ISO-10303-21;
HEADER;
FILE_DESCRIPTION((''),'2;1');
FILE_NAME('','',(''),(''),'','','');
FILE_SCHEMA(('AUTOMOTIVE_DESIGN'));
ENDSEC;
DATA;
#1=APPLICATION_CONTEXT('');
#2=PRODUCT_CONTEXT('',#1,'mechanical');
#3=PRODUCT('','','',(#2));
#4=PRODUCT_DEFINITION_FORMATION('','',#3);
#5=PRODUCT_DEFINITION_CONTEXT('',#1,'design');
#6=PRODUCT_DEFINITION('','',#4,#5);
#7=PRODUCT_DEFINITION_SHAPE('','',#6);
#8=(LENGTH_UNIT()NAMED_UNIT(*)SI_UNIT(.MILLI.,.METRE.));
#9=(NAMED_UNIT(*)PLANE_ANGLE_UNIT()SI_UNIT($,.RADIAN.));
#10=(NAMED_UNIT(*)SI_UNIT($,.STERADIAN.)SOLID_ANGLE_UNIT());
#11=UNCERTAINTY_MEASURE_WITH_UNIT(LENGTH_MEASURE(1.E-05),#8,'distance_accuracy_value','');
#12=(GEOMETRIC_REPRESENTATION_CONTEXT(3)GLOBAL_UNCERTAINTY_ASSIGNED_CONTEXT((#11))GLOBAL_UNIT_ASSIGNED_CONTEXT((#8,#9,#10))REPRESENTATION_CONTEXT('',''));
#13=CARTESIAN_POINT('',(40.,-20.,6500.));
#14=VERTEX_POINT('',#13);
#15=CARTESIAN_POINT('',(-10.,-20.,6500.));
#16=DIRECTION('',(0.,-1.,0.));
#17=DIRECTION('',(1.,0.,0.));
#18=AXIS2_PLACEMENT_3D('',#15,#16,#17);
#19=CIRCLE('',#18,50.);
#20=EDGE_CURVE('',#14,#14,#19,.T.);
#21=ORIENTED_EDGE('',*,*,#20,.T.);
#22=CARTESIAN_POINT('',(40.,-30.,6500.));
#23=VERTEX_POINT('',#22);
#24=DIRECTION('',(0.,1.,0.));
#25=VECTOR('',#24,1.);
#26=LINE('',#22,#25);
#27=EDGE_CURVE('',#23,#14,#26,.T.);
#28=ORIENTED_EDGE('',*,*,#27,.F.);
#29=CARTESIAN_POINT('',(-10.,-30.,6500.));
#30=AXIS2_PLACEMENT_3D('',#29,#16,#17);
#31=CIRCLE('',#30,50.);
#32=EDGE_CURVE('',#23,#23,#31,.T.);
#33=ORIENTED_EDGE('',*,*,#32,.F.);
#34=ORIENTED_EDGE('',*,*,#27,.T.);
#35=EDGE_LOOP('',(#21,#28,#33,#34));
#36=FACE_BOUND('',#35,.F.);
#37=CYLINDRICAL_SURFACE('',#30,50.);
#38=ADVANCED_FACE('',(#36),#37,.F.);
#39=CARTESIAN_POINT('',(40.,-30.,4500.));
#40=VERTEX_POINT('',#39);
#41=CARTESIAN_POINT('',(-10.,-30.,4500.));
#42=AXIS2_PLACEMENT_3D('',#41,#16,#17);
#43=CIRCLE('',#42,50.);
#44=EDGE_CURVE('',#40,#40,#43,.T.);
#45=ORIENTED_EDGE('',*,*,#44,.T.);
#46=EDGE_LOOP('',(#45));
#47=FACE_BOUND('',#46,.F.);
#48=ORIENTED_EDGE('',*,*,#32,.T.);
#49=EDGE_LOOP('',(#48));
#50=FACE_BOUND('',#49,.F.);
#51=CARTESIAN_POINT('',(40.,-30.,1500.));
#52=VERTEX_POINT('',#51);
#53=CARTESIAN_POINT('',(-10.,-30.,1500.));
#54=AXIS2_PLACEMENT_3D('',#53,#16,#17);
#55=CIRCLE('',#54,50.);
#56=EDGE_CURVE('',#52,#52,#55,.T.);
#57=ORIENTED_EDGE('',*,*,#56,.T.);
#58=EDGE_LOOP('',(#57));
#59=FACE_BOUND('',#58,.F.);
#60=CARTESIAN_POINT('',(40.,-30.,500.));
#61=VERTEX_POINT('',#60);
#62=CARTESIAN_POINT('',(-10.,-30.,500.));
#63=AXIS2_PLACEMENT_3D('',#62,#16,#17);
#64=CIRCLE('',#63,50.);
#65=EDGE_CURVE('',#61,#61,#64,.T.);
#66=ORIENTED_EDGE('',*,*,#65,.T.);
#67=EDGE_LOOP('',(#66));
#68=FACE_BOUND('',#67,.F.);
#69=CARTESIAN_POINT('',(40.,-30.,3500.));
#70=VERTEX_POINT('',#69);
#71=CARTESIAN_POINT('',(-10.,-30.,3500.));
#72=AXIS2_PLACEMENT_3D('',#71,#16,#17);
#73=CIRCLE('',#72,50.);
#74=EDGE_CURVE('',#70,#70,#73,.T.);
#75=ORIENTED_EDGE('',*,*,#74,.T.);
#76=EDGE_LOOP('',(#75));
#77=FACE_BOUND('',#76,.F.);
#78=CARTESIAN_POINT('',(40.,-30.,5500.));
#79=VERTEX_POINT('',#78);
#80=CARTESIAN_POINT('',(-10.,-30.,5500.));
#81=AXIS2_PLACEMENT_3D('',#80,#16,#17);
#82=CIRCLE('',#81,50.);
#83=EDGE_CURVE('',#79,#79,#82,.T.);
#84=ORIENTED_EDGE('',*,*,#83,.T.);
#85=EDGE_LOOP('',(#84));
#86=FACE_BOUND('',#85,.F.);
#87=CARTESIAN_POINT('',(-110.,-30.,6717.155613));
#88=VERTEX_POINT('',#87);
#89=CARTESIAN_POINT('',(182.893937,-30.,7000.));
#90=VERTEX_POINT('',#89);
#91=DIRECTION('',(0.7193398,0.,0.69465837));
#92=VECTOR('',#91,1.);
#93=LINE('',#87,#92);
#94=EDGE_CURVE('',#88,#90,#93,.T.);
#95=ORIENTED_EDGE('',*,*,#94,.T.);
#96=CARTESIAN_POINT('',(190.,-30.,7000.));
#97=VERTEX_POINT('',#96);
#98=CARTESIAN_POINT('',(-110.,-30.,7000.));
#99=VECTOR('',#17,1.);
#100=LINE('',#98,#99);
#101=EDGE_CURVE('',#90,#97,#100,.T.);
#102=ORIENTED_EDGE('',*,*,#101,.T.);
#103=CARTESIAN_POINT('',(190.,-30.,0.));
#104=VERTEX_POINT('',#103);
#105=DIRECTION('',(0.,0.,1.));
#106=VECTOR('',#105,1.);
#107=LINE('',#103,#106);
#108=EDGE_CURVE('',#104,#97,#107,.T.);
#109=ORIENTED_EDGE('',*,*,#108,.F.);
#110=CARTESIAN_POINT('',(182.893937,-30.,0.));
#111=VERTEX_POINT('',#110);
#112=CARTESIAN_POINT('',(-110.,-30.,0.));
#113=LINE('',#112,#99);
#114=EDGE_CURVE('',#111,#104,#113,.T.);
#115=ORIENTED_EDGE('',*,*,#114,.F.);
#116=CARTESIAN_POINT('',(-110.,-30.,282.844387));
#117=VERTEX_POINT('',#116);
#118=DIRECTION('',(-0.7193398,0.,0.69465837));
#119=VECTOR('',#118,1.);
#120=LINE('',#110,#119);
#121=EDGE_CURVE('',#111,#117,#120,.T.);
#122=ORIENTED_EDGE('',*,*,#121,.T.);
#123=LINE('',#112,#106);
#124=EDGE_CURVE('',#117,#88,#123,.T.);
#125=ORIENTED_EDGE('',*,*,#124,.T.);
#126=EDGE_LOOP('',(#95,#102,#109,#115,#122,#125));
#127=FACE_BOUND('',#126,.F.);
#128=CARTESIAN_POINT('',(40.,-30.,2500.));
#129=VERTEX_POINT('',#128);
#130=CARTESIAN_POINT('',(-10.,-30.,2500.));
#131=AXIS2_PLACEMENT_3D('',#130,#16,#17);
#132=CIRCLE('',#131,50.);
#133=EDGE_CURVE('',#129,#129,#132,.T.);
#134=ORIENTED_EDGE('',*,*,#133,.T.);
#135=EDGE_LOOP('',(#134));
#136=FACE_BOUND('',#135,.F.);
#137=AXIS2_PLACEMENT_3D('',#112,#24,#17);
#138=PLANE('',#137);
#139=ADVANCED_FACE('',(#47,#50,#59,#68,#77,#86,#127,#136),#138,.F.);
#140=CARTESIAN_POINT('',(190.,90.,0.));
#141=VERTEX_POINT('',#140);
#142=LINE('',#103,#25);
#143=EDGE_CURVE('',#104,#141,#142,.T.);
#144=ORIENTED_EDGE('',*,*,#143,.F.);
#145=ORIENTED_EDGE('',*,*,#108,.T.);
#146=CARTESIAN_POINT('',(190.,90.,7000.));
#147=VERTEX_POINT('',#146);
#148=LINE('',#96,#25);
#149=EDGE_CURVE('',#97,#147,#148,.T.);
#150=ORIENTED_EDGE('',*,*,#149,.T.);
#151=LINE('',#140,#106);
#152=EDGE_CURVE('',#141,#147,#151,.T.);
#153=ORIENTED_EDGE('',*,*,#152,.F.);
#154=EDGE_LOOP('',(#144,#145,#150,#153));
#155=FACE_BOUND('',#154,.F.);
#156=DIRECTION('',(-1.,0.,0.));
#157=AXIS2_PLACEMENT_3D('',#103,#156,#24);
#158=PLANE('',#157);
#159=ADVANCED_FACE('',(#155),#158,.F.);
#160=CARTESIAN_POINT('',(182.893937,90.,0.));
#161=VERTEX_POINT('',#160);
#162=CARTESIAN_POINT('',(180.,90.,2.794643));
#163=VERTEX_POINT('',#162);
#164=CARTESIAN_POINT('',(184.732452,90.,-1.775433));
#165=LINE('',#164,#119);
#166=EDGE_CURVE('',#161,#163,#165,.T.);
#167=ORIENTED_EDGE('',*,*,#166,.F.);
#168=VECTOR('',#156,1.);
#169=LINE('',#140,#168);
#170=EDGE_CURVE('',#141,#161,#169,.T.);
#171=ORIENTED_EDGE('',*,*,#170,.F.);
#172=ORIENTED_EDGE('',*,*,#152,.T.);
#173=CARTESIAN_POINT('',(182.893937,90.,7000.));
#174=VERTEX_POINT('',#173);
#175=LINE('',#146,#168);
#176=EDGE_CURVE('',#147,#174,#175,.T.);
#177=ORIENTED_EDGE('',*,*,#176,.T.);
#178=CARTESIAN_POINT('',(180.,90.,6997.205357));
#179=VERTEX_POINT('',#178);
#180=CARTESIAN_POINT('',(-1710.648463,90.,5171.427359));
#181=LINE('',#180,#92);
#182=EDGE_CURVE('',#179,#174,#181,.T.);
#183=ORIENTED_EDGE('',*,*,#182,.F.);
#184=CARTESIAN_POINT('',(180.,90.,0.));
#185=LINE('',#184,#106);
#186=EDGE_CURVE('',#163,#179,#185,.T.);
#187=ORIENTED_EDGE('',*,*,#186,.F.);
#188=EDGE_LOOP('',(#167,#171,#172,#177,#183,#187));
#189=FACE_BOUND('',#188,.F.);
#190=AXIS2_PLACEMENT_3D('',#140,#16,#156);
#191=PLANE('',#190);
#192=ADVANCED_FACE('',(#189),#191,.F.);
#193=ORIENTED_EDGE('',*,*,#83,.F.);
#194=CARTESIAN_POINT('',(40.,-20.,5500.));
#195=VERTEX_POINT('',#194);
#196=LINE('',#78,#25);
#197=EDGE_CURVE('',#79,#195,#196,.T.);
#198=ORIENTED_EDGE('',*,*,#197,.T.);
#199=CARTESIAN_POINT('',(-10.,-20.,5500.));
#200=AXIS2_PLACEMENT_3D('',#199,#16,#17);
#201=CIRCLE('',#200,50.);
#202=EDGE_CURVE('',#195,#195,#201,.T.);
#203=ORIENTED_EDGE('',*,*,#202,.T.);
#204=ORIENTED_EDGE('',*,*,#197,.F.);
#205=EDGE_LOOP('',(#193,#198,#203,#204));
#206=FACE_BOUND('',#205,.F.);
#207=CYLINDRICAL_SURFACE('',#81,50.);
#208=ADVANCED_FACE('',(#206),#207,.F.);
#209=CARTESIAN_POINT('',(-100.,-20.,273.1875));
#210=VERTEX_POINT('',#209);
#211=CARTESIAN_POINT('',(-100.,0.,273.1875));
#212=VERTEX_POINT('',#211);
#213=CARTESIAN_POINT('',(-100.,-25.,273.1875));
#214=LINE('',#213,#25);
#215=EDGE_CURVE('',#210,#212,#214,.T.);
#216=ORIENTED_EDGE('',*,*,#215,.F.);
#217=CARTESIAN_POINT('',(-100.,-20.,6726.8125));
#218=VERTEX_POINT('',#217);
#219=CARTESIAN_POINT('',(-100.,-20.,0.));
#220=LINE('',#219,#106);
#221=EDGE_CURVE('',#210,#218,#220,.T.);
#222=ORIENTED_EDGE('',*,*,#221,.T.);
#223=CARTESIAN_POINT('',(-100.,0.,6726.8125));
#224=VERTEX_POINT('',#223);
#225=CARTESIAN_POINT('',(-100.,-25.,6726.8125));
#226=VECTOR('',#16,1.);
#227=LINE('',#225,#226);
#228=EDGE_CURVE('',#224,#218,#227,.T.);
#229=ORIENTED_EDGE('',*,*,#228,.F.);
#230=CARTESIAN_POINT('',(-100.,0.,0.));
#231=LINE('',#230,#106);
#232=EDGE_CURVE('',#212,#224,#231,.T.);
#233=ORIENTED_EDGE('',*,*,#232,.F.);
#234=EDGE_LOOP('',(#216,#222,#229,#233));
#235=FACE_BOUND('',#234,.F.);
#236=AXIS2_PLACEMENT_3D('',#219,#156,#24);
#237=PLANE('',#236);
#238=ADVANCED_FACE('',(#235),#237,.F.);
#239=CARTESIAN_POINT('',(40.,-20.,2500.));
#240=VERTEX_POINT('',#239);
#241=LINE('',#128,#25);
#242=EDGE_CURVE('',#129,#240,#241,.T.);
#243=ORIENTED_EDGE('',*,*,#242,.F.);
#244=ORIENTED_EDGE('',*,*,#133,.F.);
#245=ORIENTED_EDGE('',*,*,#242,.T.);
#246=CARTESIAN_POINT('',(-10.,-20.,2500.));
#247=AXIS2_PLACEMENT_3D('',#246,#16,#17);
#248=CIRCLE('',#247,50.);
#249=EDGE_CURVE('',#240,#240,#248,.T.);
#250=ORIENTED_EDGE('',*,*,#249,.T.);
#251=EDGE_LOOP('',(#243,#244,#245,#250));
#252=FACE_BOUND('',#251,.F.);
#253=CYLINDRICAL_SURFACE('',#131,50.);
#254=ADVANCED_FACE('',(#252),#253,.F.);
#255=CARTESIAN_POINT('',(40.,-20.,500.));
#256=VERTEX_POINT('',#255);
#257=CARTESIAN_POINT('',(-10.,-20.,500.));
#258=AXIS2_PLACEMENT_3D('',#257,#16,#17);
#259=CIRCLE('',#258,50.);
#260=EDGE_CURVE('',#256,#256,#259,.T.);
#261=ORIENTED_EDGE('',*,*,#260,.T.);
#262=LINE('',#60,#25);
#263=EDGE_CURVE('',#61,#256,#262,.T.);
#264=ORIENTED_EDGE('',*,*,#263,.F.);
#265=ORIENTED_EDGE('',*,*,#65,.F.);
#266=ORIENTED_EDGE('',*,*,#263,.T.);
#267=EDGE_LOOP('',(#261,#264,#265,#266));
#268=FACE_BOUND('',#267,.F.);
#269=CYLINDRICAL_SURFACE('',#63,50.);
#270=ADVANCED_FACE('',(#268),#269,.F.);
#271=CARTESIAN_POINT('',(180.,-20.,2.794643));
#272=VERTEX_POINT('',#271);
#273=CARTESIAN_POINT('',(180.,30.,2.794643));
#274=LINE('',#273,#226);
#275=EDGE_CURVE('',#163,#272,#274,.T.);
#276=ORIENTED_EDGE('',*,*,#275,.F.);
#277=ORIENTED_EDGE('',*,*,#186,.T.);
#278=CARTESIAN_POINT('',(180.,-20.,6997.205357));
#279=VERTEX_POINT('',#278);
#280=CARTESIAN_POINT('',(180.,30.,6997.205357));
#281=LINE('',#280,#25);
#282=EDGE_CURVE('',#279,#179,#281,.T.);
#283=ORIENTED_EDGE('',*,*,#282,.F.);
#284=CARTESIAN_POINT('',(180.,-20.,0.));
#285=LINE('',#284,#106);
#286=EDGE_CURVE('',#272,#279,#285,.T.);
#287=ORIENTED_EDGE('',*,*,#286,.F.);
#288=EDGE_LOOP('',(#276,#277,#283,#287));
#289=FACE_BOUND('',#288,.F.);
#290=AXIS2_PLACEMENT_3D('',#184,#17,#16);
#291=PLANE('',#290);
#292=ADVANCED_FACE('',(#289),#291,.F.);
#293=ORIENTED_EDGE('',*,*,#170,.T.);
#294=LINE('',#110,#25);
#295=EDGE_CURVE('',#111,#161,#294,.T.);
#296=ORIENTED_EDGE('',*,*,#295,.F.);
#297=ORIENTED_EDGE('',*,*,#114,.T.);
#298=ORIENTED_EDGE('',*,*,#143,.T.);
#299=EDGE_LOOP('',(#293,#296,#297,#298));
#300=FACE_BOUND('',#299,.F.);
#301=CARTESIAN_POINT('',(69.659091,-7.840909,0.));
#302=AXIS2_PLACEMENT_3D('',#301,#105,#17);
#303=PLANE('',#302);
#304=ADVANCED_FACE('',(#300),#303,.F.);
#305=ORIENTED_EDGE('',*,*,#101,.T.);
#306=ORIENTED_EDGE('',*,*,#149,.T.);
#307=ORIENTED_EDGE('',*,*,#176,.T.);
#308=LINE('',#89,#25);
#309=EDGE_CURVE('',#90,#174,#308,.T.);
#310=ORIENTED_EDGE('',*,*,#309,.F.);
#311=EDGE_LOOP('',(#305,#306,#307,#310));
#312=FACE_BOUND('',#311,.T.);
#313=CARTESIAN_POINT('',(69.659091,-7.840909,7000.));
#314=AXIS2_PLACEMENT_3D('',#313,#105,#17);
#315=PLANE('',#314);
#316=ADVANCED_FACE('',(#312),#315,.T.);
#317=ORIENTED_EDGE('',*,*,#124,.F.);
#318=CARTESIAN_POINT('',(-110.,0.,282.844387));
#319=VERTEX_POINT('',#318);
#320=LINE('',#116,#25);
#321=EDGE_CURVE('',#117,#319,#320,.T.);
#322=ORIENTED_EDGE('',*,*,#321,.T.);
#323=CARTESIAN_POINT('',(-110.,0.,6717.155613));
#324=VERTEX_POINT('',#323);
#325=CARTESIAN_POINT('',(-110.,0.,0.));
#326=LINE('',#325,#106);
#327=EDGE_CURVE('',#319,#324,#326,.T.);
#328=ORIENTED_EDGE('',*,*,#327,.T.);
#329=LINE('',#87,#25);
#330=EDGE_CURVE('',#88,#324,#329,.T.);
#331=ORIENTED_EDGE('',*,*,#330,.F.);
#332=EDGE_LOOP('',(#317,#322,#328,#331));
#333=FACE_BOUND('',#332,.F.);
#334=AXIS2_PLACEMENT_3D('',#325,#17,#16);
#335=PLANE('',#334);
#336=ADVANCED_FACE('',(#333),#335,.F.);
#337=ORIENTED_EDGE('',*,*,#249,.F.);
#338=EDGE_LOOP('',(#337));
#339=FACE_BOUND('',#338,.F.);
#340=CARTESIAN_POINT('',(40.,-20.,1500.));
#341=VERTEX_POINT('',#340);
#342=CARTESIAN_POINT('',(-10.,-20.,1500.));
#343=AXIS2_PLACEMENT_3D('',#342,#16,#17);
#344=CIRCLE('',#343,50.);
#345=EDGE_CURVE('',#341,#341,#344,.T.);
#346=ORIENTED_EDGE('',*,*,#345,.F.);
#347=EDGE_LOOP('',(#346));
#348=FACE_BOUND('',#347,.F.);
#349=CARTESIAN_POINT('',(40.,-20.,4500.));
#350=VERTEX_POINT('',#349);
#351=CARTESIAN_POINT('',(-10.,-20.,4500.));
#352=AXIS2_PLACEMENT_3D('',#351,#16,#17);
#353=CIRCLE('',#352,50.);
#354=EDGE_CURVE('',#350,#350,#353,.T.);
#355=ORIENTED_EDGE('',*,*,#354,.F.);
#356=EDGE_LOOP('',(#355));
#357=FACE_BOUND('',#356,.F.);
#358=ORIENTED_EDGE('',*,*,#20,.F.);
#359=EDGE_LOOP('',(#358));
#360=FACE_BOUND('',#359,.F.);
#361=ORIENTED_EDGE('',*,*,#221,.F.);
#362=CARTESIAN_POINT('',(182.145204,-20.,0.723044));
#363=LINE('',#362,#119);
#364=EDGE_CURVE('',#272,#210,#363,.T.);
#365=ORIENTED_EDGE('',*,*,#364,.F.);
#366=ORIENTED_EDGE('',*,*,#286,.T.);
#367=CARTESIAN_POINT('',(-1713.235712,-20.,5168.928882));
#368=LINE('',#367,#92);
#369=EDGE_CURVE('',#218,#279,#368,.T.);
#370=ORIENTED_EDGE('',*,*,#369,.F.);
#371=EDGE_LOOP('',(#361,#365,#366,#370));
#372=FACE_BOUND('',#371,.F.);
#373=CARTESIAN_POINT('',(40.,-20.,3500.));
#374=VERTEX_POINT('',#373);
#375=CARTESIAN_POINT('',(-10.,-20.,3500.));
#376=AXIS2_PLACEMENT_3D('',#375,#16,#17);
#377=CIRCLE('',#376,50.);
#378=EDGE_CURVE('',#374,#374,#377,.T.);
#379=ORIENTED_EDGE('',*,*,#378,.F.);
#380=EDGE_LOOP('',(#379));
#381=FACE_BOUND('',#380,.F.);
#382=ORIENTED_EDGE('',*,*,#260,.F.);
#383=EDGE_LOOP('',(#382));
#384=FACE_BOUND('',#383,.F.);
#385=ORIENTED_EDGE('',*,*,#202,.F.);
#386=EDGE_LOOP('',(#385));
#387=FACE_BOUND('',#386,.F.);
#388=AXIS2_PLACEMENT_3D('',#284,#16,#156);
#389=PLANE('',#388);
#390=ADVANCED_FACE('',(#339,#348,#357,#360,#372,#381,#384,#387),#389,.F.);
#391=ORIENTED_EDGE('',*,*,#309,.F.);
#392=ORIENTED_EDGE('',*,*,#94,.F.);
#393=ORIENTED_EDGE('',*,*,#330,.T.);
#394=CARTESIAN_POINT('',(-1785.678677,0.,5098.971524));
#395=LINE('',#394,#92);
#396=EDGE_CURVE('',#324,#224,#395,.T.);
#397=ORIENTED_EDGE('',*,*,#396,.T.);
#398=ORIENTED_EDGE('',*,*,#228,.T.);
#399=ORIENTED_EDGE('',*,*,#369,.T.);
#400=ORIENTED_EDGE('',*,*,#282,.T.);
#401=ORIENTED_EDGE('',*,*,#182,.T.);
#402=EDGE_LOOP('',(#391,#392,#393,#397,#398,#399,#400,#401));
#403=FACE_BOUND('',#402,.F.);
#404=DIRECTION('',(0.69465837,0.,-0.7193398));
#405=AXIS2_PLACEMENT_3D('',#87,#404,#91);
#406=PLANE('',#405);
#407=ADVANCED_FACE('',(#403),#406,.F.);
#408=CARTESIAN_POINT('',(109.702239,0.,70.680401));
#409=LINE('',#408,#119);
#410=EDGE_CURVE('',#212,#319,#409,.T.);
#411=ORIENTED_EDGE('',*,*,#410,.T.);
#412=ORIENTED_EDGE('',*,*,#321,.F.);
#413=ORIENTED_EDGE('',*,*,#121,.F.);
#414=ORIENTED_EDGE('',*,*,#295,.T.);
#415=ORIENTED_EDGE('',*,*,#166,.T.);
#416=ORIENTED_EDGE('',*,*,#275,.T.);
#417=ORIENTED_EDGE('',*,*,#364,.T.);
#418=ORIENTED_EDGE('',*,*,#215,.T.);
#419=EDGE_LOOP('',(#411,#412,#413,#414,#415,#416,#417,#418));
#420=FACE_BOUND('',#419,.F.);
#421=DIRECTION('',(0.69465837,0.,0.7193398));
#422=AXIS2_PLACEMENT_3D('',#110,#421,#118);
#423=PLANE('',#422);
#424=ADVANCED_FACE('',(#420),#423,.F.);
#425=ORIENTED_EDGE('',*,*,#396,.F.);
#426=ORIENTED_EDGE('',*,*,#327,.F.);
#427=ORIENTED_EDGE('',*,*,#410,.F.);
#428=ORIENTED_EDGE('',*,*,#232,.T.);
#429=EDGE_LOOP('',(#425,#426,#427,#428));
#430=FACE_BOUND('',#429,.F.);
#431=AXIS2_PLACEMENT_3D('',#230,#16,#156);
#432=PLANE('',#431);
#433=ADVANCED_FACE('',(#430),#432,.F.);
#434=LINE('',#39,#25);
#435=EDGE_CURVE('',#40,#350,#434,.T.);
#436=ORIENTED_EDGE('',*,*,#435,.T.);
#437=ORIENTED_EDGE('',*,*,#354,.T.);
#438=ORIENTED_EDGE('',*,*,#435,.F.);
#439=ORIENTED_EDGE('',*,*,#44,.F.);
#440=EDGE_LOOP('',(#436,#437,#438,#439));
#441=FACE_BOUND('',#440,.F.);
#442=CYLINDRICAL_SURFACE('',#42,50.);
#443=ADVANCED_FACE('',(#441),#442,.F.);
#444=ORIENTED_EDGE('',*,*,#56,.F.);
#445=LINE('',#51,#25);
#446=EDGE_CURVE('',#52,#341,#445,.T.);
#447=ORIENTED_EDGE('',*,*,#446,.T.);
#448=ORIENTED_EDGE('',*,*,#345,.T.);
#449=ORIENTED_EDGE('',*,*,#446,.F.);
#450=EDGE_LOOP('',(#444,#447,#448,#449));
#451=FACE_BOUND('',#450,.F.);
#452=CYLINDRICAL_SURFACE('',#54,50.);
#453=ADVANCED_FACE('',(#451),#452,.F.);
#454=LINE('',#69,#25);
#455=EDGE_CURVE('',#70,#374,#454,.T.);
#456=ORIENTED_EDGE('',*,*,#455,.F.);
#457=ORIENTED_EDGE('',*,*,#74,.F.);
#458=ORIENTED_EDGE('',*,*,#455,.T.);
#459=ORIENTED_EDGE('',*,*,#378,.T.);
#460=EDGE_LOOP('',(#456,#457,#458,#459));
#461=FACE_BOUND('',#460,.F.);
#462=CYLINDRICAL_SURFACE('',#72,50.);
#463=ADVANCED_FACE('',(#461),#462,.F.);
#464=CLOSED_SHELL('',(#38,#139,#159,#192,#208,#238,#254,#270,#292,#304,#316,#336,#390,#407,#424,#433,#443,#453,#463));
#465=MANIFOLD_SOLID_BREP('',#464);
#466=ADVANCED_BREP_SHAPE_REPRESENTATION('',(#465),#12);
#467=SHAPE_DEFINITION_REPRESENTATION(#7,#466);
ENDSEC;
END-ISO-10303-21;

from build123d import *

# Parameters (mm, degrees)
F1_DEPTH = 7000
F3_DEPTH = 200
F4_R     = 50
F5_DEPTH = 120.001


with BuildPart() as f1:
    # F0 (on Top) → F1 (new body)
    with BuildSketch(Plane.XY):
        Polygon((-100, 0), (-110, 0), (-110, -30), (190, -30), (190, 90), (180, 90), (180, -20), (-100, -20), align=None)
    extrude(amount=F1_DEPTH)

    # F2 (on face) → F3 (cut)
    with BuildSketch(Plane.XZ.offset(30)):
        Polygon((182.8939372419, 0), (-110, 282.8443874035), (-110, 0), align=None)
        Polygon((-110, 7000), (-110, 6717.1556125965), (182.8939372419, 7000), align=None)
    extrude(amount=-F3_DEPTH, mode=Mode.SUBTRACT)

    # F4 (on face) → F5 (cut, through all)
    with BuildSketch(Plane.XZ.offset(30)):
        with Locations((-10, 6500)):
            Circle(F4_R)
        with Locations((-10, 5500)):
            Circle(F4_R)
        with Locations((-10, 4500)):
            Circle(F4_R)
        with Locations((-10, 3500)):
            Circle(F4_R)
        with Locations((-10, 2500)):
            Circle(F4_R)
        with Locations((-10, 1500)):
            Circle(F4_R)
        with Locations((-10, 500)):
            Circle(F4_R)
    extrude(amount=-F5_DEPTH, mode=Mode.SUBTRACT)


solid = f1.part
